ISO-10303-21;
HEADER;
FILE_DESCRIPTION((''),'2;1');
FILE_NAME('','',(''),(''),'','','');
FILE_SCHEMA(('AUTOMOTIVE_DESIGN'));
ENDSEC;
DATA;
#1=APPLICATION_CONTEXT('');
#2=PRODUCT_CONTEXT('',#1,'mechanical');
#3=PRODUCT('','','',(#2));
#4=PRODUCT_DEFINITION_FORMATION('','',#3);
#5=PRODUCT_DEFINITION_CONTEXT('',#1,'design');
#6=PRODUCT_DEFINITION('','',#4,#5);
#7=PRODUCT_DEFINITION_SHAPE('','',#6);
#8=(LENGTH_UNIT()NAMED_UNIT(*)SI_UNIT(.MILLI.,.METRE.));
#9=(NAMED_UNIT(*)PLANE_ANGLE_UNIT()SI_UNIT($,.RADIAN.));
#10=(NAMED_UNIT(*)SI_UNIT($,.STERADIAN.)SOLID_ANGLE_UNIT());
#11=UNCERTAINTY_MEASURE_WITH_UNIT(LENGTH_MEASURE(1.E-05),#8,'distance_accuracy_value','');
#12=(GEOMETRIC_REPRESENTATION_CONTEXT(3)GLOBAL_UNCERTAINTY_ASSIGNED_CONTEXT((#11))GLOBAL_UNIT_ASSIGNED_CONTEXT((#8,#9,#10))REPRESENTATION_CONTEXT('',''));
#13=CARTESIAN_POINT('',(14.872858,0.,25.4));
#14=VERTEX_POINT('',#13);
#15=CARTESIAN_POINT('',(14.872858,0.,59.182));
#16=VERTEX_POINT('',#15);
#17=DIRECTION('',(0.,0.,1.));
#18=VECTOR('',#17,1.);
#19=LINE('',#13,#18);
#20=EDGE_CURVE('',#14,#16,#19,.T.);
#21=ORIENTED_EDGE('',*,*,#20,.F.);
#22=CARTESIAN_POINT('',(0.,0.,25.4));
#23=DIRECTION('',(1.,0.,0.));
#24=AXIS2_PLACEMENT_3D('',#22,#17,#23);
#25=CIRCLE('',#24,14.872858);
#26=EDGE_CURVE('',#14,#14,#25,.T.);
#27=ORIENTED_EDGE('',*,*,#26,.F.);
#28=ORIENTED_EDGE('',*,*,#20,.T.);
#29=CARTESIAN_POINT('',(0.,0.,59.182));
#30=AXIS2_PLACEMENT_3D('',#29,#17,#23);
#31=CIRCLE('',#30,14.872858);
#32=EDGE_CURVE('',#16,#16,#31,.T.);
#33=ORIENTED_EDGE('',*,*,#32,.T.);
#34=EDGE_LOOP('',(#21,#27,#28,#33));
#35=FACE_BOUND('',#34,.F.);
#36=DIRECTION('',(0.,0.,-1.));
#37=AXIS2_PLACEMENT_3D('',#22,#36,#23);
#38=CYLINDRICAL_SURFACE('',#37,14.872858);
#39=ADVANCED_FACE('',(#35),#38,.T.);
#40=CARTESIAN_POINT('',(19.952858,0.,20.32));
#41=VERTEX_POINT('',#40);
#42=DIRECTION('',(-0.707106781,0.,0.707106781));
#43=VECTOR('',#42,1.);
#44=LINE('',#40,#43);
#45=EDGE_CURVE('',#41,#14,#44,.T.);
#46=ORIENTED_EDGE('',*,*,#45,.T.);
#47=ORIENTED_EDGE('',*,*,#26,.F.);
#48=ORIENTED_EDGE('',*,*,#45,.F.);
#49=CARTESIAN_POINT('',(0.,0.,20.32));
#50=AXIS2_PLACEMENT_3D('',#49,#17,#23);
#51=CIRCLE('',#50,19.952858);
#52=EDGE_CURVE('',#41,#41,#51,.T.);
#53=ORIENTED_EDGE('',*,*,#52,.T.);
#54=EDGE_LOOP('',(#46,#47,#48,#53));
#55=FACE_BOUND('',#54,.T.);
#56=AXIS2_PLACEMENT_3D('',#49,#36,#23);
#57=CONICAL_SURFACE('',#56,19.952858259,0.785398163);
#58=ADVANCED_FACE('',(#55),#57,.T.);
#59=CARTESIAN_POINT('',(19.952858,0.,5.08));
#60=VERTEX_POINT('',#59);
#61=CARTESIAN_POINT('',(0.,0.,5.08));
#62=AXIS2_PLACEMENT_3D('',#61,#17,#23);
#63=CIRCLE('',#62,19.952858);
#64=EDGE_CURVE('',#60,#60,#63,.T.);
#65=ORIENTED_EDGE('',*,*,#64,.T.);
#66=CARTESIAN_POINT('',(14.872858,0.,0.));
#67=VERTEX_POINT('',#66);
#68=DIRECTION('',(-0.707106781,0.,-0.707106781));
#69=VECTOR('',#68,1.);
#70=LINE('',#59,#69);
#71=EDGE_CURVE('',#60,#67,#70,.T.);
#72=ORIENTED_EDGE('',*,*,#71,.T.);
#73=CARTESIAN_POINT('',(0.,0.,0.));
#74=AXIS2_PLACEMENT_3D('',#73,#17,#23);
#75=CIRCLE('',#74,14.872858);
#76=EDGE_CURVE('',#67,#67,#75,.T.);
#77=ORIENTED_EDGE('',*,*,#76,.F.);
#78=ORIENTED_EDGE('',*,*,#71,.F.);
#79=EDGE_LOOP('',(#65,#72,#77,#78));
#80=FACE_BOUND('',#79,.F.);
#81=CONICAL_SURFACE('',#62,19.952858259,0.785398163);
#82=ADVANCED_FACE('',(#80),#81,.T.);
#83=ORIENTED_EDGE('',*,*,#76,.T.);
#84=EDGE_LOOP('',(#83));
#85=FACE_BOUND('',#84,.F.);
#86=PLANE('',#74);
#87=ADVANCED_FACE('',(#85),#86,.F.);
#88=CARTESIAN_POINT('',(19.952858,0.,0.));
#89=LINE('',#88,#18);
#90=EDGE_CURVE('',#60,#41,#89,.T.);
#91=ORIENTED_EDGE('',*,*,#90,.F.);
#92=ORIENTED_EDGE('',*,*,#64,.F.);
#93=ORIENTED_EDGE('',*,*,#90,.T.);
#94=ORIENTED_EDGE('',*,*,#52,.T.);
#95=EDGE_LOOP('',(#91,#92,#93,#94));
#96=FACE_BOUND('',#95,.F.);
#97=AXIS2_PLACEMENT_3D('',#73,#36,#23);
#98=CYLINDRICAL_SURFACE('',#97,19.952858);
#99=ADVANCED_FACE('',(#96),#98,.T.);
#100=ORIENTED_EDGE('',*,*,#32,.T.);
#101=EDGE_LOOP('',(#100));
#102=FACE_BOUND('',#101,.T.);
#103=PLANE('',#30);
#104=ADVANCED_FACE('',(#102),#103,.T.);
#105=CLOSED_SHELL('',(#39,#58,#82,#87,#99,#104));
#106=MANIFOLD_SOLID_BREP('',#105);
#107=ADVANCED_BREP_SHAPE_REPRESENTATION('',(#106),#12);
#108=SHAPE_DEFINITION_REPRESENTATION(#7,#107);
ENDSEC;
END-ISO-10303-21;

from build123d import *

# Parameters (mm, degrees)
F1_DEPTH = 25.4
F2_SIZE  = 5.08
F3_DEPTH = 33.782


with BuildPart() as f1:
    # F0 (on Top) → F1 (new body)
    with BuildSketch(Plane.XY):
        with BuildLine():
            ThreePointArc((-13.5880994109, 14.6109584599), (-7.9685359746, -18.2925937783), (19.9528582593, 0))
            ThreePointArc((19.9528582593, 0), (7.9685359746, 18.2925937783), (-13.5880994109, 14.6109584599))
        make_face()
    extrude(amount=F1_DEPTH)

    # F2
    f2_edges = [f1.edges().sort_by_distance(p)[0] for p in [
        (-19.952858, 0, 0),
        (19.952858, 0, 12.7),
        (-19.952858, 0, 25.4),
    ]]
    chamfer(f2_edges, length=F2_SIZE)

    # F3 (add): a face of the model
    f3_faces = [f1.faces().sort_by_distance(p)[0] for p in [
        (0, 0, 25.4),
    ]]
    extrude(f3_faces, amount=F3_DEPTH)


solid = f1.part
